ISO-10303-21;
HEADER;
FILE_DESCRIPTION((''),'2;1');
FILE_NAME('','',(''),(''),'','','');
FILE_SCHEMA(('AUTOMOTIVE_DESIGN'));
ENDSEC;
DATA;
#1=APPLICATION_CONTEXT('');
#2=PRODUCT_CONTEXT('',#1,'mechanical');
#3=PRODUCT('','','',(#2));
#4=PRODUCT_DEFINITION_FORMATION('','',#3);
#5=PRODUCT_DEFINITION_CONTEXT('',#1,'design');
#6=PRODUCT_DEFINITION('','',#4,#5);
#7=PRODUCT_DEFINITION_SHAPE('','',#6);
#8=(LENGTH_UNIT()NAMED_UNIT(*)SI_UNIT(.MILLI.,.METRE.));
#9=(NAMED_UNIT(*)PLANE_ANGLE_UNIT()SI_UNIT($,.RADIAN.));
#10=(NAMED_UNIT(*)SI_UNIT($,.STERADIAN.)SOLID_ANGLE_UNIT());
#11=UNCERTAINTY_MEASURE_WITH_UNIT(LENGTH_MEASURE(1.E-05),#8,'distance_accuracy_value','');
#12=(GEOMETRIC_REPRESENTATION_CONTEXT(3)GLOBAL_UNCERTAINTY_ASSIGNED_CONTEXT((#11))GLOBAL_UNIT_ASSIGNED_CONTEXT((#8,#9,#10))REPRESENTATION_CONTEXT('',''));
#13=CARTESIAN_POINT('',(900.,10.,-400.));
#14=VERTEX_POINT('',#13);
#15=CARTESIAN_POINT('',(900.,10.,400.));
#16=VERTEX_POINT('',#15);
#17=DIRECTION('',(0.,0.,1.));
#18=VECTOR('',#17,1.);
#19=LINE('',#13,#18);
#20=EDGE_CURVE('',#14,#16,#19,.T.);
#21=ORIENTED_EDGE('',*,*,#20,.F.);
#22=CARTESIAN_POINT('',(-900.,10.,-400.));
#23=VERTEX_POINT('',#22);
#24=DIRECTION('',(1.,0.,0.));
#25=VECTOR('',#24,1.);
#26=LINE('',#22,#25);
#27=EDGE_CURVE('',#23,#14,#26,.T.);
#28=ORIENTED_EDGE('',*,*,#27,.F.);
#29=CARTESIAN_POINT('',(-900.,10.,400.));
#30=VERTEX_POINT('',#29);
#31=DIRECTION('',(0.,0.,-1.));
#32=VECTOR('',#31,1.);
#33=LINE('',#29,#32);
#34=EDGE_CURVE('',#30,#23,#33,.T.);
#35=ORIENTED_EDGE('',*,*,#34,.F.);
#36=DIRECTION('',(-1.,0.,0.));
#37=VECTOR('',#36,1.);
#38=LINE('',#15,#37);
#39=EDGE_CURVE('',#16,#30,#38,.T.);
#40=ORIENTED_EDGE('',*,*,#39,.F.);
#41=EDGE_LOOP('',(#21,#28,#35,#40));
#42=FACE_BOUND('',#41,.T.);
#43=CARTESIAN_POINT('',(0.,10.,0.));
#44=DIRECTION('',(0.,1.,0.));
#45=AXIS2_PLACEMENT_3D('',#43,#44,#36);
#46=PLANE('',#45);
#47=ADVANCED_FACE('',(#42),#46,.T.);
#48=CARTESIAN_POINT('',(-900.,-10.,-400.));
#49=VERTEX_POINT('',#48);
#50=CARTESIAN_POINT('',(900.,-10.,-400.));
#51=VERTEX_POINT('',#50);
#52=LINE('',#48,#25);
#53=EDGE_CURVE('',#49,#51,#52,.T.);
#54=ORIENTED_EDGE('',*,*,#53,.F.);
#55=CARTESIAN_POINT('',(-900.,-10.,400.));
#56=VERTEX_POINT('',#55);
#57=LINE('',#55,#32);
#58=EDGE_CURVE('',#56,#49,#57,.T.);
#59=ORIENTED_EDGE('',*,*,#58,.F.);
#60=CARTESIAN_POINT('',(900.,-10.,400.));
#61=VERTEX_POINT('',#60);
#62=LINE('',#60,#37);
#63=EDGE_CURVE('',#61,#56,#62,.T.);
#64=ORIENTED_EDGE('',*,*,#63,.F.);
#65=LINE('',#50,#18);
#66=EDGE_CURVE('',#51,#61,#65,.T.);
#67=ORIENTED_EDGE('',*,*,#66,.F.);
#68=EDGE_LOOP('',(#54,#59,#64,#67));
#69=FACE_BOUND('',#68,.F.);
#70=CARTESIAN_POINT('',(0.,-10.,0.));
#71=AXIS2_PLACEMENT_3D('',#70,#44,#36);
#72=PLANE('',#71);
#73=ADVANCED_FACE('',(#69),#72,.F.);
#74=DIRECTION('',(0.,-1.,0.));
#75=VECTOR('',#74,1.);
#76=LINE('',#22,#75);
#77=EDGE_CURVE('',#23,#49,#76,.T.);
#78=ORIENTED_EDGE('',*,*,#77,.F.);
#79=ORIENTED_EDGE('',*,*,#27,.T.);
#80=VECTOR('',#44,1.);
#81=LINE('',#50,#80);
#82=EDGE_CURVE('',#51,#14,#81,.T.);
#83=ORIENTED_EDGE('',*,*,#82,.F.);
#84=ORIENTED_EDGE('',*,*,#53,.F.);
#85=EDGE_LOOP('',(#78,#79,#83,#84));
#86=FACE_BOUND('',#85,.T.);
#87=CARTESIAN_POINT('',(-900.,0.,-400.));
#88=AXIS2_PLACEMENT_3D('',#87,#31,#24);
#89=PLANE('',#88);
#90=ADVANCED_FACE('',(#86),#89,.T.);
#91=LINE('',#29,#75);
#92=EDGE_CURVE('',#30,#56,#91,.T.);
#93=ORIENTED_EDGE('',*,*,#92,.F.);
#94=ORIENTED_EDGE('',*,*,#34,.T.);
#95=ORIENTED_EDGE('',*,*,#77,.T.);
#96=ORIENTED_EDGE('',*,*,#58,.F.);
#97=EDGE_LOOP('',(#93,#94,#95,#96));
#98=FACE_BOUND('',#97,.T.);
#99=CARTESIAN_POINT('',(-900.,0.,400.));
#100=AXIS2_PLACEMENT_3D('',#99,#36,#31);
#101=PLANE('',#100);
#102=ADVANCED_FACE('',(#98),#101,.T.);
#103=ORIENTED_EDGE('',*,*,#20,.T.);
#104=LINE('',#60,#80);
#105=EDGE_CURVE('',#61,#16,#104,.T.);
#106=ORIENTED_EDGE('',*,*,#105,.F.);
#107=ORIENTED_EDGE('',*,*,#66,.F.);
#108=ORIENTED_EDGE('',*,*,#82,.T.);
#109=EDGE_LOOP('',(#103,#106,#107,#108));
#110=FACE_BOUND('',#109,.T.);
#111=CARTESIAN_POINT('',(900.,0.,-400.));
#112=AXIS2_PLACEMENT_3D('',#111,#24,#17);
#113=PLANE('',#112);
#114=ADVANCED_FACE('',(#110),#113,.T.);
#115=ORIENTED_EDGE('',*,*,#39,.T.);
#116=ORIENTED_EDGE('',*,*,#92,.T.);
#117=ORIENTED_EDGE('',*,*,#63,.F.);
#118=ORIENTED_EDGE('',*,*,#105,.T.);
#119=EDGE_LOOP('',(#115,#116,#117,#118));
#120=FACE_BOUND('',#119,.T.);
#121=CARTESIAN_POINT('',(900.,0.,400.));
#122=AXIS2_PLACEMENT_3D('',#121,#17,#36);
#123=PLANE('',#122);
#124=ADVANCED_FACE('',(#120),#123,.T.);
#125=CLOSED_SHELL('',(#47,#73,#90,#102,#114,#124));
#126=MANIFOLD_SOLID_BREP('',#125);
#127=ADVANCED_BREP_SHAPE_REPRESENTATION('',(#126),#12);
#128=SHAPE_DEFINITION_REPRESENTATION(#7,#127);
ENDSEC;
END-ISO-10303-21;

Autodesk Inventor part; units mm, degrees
sketch "Esboço1" plane through (0, 0, 0) normal (0, 1, 0) x (-1, 0, 0)
  line L0 (-900, 400) -> (900, 400)
  line L1 (900, 400) -> (900, -400)
  line L2 (900, -400) -> (-900, -400)
  line L3 (-900, -400) -> (-900, 400)
  line L4 (-900, 400) -> (900, -400) construction
  line L5 (900, 400) -> (-900, -400) construction
  point P0 (0, 0)
  dimension "d0" = 1800
  dimension "d1" = 800
extrude "Extrusão1" add sketch "Esboço1" along normal mid plane 20
properties part number "Peça apenas para Exercício" material "Madeira (Nogueira)"
